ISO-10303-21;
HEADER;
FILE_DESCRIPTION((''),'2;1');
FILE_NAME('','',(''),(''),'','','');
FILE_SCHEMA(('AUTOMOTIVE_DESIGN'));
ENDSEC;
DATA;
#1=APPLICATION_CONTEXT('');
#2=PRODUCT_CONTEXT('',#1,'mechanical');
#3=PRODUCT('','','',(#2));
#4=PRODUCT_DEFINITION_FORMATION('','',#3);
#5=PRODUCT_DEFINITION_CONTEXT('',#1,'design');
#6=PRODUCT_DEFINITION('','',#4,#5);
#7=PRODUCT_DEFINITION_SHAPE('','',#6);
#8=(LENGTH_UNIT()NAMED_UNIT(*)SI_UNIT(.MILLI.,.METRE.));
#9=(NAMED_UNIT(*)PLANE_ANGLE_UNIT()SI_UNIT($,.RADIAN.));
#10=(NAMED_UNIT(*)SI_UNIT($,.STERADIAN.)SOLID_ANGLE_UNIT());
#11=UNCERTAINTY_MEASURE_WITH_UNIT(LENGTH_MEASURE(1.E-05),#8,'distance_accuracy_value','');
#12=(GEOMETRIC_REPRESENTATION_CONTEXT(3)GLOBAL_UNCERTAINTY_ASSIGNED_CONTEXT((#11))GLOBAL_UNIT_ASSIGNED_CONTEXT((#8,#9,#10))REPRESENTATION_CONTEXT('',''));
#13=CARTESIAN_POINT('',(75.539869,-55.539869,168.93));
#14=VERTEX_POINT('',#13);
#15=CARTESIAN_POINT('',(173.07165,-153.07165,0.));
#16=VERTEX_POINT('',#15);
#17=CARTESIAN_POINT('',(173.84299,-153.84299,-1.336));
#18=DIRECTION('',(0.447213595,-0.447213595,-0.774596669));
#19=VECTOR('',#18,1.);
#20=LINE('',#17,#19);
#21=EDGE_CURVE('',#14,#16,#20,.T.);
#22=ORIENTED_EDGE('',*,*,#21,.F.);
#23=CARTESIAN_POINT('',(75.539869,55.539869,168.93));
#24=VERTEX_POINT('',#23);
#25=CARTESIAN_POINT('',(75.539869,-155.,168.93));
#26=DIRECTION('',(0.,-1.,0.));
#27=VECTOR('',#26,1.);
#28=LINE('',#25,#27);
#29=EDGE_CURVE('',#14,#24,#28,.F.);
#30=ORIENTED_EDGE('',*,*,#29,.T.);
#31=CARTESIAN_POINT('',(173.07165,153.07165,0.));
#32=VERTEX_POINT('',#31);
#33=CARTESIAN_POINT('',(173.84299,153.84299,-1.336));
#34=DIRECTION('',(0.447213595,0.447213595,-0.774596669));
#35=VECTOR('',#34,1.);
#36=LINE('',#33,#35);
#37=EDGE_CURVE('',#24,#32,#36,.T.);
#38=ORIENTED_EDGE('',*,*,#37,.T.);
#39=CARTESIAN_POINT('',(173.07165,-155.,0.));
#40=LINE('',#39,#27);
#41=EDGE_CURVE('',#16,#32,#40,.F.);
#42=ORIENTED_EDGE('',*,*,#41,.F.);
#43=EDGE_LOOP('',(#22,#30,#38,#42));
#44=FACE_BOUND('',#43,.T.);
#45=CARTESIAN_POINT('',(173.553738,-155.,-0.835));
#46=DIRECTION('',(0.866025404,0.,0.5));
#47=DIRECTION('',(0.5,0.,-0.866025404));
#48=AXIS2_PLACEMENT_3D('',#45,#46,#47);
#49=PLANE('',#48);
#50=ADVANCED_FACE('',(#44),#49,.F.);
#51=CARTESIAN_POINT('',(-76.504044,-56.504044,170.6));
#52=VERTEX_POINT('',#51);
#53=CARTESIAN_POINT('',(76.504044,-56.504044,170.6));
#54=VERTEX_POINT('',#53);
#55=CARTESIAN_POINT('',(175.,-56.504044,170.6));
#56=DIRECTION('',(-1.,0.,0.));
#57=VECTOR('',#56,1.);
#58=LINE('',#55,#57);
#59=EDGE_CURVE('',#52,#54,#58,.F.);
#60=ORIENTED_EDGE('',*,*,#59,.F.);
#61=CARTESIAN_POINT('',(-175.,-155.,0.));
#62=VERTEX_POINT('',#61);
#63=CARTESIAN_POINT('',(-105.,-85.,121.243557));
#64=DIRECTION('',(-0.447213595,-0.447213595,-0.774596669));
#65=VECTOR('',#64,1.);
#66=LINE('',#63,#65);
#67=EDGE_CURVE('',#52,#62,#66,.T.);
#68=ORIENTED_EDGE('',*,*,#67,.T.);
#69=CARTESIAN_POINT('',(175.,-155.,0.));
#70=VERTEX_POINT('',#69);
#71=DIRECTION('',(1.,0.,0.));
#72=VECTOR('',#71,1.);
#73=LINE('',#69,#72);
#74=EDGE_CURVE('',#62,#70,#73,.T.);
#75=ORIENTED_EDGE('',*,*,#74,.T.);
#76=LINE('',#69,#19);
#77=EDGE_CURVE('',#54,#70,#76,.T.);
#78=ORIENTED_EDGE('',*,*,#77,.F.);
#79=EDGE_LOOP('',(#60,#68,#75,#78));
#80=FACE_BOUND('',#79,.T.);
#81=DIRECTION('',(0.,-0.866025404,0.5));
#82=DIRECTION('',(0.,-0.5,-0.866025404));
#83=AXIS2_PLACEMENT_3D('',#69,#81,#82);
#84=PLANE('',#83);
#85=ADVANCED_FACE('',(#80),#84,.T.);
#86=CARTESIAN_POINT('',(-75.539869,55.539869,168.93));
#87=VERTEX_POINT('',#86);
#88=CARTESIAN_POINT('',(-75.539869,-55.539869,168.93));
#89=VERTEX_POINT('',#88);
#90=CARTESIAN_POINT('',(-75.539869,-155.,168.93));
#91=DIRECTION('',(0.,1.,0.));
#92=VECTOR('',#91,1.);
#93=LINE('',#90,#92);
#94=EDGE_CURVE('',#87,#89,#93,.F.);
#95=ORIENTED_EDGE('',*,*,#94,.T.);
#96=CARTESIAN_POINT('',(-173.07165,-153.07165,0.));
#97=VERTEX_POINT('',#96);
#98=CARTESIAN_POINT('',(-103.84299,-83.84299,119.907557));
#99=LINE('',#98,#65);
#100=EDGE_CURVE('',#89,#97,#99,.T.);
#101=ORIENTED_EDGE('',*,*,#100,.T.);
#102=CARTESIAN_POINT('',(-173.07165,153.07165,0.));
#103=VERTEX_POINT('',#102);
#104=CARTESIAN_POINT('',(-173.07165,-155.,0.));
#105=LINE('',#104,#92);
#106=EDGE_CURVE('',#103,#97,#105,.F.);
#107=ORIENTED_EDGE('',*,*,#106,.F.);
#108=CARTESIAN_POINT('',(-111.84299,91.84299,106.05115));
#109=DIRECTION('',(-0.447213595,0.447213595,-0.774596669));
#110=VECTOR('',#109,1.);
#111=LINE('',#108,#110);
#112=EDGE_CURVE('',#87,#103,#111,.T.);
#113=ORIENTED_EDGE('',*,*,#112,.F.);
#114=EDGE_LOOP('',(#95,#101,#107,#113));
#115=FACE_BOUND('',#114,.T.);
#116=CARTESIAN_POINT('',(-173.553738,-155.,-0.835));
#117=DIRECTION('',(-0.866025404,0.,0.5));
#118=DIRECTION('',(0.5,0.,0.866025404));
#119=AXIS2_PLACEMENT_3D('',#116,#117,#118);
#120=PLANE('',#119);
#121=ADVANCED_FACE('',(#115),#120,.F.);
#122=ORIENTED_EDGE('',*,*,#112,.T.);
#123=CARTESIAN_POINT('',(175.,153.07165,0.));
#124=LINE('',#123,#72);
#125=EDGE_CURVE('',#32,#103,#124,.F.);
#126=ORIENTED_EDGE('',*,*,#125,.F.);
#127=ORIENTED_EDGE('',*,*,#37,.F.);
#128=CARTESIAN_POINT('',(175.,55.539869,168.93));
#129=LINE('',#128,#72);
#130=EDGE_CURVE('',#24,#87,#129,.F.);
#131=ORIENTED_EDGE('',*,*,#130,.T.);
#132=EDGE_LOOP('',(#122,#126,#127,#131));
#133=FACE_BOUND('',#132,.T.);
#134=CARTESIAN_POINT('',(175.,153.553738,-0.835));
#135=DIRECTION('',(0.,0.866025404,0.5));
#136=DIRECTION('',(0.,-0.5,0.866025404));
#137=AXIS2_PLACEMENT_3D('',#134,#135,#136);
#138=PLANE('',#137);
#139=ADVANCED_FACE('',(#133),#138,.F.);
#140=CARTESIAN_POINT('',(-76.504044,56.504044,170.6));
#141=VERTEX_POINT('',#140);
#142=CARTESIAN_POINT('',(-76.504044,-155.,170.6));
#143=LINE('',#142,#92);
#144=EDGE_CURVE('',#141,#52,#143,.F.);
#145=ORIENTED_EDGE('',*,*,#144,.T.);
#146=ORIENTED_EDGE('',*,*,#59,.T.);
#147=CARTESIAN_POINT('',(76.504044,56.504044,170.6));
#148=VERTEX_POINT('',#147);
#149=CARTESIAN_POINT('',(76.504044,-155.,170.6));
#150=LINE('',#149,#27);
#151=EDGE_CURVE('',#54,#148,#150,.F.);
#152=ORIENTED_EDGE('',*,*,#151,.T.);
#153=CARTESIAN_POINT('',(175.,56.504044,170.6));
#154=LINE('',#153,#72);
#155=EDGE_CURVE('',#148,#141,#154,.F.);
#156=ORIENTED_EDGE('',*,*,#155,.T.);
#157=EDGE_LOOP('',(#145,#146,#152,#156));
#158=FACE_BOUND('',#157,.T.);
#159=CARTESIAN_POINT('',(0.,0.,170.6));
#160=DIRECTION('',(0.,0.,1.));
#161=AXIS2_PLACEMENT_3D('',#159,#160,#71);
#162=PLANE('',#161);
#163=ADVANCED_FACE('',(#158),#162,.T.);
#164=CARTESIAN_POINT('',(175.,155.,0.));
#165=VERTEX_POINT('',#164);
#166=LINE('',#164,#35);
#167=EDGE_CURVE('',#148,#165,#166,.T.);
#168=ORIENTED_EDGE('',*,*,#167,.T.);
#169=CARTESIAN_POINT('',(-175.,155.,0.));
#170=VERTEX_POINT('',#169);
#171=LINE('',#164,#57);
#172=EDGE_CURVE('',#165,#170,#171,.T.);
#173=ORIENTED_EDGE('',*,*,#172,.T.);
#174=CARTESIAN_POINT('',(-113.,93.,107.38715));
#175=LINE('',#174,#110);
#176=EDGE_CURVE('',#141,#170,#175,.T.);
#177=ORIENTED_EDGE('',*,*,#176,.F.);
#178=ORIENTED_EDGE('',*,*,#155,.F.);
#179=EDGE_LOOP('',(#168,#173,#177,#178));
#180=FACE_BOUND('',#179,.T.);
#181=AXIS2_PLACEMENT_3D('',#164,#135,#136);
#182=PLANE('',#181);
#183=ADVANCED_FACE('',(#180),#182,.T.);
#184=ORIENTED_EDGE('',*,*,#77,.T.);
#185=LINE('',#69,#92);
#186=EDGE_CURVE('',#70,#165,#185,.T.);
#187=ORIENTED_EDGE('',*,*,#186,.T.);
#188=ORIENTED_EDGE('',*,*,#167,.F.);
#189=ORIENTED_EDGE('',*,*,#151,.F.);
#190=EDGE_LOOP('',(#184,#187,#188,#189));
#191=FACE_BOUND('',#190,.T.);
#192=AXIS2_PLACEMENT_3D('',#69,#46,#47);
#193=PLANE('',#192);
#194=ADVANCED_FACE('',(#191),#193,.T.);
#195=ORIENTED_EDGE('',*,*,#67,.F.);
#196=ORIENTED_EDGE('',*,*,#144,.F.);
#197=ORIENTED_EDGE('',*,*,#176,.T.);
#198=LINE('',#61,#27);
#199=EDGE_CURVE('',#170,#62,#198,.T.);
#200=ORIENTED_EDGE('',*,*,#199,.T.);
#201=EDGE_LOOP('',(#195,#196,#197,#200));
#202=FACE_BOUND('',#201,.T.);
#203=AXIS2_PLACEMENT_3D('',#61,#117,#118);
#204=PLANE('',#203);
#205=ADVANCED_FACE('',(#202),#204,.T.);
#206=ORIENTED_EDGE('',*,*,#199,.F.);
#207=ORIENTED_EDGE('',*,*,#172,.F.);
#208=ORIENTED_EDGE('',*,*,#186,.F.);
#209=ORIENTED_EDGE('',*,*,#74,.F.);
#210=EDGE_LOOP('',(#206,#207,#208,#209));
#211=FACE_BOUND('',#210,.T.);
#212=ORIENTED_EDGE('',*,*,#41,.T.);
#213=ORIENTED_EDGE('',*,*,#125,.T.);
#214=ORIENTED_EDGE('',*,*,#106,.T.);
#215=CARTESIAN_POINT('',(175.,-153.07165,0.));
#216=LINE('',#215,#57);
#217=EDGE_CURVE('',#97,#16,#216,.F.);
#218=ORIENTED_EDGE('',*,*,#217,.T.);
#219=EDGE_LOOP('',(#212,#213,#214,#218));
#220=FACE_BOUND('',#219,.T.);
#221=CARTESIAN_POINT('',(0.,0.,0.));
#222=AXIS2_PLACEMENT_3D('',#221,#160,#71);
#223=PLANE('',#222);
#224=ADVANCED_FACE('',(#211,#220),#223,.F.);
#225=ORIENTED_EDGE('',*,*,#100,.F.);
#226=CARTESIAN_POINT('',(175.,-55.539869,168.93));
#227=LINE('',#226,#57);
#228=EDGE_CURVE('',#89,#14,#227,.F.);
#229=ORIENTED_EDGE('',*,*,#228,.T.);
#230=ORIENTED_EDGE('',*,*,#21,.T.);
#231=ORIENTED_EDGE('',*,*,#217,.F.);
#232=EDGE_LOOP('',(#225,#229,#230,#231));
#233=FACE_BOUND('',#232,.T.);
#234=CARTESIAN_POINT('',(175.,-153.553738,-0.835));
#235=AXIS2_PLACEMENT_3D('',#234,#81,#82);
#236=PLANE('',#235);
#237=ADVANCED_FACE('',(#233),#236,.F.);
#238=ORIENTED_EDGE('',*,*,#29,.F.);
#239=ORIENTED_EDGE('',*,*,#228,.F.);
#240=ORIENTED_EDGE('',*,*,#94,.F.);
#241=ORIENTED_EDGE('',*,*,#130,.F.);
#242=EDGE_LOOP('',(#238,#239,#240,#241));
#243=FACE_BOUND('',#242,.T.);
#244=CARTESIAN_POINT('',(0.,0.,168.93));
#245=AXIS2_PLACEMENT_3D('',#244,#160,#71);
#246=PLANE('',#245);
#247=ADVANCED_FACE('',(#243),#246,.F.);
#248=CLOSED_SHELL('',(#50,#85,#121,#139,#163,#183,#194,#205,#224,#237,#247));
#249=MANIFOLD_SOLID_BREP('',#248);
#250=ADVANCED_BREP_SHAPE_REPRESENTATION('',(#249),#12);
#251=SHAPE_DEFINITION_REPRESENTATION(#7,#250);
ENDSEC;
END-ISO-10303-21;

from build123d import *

# Parameters (mm, degrees)
SKETCH1_W           = 350
SKETCH1_H           = 310
BOSS_EXTRUDE1_DEPTH = 170.6
BOSS_EXTRUDE1_TAPER = 30
SHELL1_T            = -1.67


with BuildPart() as part:
    # Sketch1 → Boss-Extrude1 (new body)
    with BuildSketch(Plane.XY):
        Rectangle(SKETCH1_W, SKETCH1_H)
    extrude(amount=BOSS_EXTRUDE1_DEPTH, taper=BOSS_EXTRUDE1_TAPER)

    # Shell1
    shell1_openings = [part.faces().sort_by_distance(p)[0] for p in [
        (0, 0, 0),
    ]]
    offset(amount=SHELL1_T, openings=shell1_openings, kind=Kind.INTERSECTION)


solid = part.part
